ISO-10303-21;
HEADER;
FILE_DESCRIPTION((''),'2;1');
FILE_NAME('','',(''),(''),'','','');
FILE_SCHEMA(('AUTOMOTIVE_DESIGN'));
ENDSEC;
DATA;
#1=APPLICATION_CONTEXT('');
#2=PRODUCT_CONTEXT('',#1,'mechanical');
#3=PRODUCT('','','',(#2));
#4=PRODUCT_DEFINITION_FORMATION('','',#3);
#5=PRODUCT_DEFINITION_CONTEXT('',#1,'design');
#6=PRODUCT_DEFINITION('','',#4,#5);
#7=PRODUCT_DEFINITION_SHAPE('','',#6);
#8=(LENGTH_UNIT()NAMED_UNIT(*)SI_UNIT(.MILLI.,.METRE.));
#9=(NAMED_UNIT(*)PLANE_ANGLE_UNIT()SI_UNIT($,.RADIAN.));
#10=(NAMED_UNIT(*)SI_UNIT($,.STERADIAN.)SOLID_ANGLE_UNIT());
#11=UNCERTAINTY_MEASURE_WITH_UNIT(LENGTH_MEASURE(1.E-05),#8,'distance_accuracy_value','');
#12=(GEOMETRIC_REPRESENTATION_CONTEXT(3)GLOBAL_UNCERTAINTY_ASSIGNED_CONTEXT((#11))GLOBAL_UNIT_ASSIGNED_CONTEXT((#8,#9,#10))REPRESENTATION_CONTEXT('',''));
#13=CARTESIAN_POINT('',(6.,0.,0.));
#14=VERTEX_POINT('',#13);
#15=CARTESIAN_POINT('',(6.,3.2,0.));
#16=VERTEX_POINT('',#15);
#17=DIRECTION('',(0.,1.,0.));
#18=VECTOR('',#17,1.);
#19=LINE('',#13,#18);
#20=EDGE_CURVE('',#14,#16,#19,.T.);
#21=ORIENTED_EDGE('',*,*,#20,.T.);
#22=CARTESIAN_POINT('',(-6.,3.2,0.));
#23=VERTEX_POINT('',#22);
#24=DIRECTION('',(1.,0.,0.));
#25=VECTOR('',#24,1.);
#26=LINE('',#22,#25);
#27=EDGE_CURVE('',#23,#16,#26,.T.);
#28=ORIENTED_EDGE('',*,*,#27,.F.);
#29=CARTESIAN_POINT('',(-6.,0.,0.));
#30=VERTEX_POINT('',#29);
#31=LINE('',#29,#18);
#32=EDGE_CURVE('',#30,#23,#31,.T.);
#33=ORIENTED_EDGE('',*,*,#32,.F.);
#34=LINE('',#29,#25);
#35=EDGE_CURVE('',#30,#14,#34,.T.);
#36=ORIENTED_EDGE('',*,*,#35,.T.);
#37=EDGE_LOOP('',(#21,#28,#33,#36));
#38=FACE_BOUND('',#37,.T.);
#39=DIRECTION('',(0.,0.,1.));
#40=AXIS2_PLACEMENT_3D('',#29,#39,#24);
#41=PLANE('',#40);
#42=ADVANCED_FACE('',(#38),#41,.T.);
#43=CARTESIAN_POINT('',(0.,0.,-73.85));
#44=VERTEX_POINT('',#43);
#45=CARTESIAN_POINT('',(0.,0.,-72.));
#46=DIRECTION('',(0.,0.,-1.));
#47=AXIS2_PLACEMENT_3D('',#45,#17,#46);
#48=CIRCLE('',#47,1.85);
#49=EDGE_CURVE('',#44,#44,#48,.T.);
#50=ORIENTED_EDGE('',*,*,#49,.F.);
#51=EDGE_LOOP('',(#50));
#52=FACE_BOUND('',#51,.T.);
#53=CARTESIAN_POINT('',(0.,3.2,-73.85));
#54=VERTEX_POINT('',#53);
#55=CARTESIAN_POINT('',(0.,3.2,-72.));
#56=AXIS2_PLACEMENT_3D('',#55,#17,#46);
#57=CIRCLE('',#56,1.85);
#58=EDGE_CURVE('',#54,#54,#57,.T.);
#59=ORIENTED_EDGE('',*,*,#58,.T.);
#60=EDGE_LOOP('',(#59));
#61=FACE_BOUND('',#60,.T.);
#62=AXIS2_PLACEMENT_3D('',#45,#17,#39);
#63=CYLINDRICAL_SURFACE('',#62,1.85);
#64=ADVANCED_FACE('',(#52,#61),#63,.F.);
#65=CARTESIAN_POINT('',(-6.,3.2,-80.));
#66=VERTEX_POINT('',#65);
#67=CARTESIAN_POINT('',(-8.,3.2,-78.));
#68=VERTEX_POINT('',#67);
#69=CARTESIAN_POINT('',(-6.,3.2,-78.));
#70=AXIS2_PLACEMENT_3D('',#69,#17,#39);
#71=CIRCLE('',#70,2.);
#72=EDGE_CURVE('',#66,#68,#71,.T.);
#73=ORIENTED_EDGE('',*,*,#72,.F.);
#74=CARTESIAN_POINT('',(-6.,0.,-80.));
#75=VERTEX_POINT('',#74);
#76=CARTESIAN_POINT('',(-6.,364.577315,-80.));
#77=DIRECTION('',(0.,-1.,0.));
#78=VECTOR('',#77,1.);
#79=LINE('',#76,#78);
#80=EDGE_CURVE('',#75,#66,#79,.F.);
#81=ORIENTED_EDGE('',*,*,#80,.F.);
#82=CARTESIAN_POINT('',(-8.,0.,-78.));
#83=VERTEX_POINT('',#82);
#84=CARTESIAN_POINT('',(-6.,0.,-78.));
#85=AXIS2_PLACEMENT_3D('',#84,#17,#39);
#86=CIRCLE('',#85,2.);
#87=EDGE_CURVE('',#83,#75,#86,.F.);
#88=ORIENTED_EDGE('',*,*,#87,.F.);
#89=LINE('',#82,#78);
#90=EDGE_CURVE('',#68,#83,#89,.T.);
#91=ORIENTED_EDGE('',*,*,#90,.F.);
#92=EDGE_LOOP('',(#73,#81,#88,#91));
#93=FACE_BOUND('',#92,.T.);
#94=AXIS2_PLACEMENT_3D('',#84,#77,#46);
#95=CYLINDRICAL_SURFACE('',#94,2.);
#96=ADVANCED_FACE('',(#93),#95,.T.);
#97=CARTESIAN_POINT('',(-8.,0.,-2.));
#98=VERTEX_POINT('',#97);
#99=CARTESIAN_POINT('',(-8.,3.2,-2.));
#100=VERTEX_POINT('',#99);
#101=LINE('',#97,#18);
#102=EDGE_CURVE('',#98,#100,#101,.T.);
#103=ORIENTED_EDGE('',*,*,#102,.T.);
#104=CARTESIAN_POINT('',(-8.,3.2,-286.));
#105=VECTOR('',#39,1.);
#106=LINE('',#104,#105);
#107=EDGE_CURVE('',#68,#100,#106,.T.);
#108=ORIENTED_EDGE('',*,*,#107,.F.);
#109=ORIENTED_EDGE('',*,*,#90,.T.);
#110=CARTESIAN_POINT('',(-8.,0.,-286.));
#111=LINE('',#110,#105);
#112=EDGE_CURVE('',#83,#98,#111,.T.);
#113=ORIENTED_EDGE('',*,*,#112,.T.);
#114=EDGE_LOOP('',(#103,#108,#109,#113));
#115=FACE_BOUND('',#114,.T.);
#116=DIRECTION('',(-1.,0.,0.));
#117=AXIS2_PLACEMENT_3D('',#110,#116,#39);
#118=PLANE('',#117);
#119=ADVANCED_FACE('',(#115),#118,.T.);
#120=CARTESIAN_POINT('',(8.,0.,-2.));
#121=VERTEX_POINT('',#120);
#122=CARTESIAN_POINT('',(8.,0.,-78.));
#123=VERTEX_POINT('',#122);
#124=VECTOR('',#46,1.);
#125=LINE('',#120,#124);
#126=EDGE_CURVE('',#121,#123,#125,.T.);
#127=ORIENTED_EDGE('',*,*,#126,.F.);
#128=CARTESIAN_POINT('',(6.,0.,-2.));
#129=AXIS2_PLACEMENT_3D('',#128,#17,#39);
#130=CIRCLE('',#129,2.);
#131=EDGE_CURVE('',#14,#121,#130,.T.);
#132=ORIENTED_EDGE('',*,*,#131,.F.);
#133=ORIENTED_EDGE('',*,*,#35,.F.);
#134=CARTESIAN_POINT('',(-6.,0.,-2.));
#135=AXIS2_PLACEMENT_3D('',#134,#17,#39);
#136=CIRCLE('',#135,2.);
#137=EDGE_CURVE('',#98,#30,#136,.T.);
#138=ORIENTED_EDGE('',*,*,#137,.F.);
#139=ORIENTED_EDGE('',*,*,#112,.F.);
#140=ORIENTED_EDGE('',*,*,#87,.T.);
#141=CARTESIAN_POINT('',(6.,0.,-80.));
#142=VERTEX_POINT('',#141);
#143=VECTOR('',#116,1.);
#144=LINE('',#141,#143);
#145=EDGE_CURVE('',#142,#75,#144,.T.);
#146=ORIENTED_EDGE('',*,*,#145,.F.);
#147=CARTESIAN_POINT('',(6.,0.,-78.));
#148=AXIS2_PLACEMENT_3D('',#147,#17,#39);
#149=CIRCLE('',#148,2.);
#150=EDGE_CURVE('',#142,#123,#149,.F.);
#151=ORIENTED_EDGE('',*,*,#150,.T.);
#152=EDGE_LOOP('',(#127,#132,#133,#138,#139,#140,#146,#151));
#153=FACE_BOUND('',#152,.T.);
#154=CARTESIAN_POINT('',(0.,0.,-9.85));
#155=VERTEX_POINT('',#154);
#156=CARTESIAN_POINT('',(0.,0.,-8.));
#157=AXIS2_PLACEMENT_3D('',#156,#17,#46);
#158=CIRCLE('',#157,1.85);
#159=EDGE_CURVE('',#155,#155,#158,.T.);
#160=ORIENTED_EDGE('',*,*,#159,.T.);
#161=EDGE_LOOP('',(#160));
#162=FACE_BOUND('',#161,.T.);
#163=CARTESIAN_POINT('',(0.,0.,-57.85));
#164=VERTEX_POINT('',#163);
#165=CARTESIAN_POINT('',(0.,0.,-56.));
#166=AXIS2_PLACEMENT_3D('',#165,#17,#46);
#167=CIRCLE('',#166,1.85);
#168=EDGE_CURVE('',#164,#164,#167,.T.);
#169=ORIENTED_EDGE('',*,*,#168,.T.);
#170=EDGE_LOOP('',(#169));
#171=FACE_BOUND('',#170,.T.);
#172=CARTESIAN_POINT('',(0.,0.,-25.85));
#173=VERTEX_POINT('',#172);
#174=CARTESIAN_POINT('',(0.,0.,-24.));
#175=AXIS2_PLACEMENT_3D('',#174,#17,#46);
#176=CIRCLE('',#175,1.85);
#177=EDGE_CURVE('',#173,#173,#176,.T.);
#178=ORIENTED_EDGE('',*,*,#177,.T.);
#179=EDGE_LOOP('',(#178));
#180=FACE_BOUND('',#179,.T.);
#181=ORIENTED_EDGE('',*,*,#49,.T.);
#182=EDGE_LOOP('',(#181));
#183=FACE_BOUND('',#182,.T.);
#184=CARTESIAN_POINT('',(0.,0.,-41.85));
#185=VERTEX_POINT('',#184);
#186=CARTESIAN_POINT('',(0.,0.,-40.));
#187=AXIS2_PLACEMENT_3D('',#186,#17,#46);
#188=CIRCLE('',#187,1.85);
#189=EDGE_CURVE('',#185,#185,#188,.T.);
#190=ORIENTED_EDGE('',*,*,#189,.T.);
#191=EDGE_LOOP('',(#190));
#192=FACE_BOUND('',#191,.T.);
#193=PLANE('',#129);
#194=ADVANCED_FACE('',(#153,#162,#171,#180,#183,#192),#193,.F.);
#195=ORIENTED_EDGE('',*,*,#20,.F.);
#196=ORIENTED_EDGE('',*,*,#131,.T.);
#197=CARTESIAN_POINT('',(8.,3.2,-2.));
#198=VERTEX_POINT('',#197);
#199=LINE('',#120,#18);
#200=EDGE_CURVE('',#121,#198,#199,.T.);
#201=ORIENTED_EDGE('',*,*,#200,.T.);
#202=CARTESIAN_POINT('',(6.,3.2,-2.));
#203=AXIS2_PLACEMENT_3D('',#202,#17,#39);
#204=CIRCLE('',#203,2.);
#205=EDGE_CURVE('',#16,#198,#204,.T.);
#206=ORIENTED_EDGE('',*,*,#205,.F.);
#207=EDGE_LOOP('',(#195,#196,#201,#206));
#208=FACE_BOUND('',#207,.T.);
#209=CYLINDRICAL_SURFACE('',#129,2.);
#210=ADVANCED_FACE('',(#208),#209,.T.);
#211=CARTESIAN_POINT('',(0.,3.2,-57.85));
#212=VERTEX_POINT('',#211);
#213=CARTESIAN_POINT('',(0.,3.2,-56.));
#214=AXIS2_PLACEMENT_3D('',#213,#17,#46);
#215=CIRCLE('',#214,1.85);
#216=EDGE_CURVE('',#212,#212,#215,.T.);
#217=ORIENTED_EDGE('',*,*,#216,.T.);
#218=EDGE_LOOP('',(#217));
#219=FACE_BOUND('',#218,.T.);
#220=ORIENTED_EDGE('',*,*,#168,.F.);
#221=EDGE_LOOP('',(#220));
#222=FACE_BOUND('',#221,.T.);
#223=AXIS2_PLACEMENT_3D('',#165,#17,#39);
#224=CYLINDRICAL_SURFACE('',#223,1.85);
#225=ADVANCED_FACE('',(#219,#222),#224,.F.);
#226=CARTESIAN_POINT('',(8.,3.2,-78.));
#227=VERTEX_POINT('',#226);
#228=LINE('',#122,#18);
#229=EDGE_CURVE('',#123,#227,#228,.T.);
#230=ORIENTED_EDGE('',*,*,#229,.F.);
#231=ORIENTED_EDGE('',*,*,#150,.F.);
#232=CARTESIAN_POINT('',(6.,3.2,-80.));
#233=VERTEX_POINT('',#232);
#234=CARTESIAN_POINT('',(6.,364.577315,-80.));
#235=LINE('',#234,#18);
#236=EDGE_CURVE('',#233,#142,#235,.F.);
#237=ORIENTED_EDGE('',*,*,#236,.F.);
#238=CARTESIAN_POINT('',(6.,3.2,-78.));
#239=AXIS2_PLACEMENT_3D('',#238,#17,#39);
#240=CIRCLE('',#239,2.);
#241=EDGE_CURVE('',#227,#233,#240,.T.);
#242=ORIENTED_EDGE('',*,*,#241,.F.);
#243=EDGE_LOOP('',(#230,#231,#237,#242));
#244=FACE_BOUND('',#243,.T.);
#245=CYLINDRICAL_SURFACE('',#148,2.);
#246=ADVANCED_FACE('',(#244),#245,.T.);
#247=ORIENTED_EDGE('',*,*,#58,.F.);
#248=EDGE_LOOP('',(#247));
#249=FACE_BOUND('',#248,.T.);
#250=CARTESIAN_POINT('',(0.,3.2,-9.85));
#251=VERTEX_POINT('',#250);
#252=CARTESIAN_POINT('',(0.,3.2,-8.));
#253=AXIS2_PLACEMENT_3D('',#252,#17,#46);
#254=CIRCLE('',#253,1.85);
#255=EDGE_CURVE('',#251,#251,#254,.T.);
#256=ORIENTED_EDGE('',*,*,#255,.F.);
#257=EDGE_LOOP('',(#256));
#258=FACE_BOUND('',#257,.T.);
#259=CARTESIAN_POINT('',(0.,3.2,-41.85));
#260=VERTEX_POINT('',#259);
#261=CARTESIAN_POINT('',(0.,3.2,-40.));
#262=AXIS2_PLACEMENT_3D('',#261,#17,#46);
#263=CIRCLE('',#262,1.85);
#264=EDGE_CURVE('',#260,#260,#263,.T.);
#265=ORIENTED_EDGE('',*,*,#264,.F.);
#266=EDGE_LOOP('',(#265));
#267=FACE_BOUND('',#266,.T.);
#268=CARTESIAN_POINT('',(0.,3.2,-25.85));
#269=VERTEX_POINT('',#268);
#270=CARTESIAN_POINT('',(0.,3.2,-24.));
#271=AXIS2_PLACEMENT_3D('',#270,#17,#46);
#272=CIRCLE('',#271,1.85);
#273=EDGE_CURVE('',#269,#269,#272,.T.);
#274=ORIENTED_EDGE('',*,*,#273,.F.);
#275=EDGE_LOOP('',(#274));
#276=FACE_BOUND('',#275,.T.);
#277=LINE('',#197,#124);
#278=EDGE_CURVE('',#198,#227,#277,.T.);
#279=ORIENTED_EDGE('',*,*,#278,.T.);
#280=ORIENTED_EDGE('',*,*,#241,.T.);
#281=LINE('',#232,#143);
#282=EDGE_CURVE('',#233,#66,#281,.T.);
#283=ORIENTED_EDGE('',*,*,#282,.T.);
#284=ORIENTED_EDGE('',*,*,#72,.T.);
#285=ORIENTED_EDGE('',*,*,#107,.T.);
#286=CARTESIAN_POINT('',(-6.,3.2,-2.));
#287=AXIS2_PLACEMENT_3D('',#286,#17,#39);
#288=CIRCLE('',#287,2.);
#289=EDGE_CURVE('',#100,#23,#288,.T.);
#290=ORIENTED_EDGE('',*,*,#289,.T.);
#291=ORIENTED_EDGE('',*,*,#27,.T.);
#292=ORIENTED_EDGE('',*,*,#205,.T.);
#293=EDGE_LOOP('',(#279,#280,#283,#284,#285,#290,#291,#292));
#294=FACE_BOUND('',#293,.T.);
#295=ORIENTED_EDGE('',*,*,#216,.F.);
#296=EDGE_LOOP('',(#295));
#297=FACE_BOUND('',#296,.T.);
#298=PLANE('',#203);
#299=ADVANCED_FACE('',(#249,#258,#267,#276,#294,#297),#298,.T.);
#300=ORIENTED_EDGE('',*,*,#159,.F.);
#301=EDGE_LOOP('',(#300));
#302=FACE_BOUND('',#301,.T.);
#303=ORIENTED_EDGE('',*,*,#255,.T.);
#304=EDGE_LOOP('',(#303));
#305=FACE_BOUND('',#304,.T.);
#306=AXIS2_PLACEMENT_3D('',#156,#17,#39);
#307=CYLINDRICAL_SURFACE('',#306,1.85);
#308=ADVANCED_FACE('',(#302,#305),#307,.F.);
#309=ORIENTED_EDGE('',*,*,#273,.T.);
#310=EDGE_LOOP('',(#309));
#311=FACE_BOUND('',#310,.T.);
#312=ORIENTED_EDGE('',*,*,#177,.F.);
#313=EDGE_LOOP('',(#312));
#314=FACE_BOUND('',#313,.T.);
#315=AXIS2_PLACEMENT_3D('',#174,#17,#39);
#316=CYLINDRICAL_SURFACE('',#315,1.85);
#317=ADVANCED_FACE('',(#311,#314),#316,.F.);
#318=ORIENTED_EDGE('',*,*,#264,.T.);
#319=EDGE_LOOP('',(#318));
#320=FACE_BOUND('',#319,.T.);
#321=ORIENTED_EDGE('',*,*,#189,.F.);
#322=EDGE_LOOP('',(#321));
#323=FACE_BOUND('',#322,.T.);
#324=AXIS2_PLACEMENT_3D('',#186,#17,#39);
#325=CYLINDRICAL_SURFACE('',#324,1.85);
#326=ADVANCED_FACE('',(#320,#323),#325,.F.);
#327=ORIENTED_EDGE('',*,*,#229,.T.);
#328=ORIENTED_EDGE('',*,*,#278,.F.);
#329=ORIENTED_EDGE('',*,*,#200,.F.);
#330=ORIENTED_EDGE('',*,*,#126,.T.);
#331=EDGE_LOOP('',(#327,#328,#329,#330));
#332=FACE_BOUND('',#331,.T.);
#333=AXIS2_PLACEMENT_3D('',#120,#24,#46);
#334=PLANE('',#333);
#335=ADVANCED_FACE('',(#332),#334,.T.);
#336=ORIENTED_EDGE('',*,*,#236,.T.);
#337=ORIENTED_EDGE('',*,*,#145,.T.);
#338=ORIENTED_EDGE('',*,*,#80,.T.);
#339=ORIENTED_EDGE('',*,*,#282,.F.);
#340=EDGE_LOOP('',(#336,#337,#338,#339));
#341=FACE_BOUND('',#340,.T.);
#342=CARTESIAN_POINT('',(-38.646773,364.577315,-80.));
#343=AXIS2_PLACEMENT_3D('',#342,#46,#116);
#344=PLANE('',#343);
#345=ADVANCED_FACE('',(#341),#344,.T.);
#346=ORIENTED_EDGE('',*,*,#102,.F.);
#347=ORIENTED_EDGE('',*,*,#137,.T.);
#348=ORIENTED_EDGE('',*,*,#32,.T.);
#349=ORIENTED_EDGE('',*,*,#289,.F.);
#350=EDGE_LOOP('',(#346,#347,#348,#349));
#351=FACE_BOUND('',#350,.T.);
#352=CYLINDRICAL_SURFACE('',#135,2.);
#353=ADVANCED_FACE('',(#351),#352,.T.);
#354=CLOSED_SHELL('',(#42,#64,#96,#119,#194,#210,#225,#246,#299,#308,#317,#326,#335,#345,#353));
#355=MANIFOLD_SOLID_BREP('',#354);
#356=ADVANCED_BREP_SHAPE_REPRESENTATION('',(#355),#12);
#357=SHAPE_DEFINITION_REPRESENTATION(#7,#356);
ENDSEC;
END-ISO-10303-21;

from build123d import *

# Parameters (mm, degrees)
SKETCH1_R               = 1.85
BOSS_EXTRUDE1_DEPTH     = 3.2
CUT_EXTRUDE1_DEPTH      = 4.2
CUT_EXTRUDE1_DEPTH_BACK = 1
FILLET1_R               = 2


with BuildPart() as part:
    # Sketch1 → Boss-Extrude1 (new body)
    with BuildSketch(Plane(origin=(0, 3.2, 0), x_dir=(1, 0, 0), z_dir=(0, 1, 0))):
        with BuildLine():
            Line((8, 2), (8, 286))
            ThreePointArc((8, 286), (7.414213562, 287.414213562), (6, 288))
            Line((6, 288), (-6, 288))
            ThreePointArc((-6, 288), (-7.414213562, 287.414213562), (-8, 286))
            Line((-8, 286), (-8, 2))
            ThreePointArc((-8, 2), (-7.414213562, 0.585786438), (-6, 0))
            Line((-6, 0), (6, 0))
            ThreePointArc((6, 0), (7.414213562, 0.585786438), (8, 2))
        make_face()
        with Locations((0, 280)):
            Circle(SKETCH1_R, mode=Mode.SUBTRACT)
        with Locations((0, 264)):
            Circle(SKETCH1_R, mode=Mode.SUBTRACT)
        with Locations((0, 248)):
            Circle(SKETCH1_R, mode=Mode.SUBTRACT)
        with Locations((0, 232)):
            Circle(SKETCH1_R, mode=Mode.SUBTRACT)
        with Locations((0, 216)):
            Circle(SKETCH1_R, mode=Mode.SUBTRACT)
        with Locations((0, 200)):
            Circle(SKETCH1_R, mode=Mode.SUBTRACT)
        with Locations((0, 184)):
            Circle(SKETCH1_R, mode=Mode.SUBTRACT)
        with Locations((0, 168)):
            Circle(SKETCH1_R, mode=Mode.SUBTRACT)
        with Locations((0, 152)):
            Circle(SKETCH1_R, mode=Mode.SUBTRACT)
        with Locations((0, 136)):
            Circle(SKETCH1_R, mode=Mode.SUBTRACT)
        with Locations((0, 120)):
            Circle(SKETCH1_R, mode=Mode.SUBTRACT)
        with Locations((0, 104)):
            Circle(SKETCH1_R, mode=Mode.SUBTRACT)
        with Locations((0, 88)):
            Circle(SKETCH1_R, mode=Mode.SUBTRACT)
        with Locations((0, 72)):
            Circle(SKETCH1_R, mode=Mode.SUBTRACT)
        with Locations((0, 56)):
            Circle(SKETCH1_R, mode=Mode.SUBTRACT)
        with Locations((0, 40)):
            Circle(SKETCH1_R, mode=Mode.SUBTRACT)
        with Locations((0, 24)):
            Circle(SKETCH1_R, mode=Mode.SUBTRACT)
        with Locations((0, 8)):
            Circle(SKETCH1_R, mode=Mode.SUBTRACT)
    extrude(amount=-BOSS_EXTRUDE1_DEPTH)

    # Sketch2 → Cut-Extrude1 (cut, two sides)
    with BuildSketch(Plane(origin=(0, 0, 0), x_dir=(1, 0, 0), z_dir=(0, 1, 0))) as cut_extrude1_sk:
        Polygon((-474.979607439, 80), (-38.646772996, 80), (26.442528892, 80), (462.775363335, 80), (462.775363335, 952.665668885), (-474.979607439, 952.665668885), align=None)
    extrude(amount=CUT_EXTRUDE1_DEPTH, mode=Mode.SUBTRACT)
    extrude(cut_extrude1_sk.sketch, amount=-CUT_EXTRUDE1_DEPTH_BACK, mode=Mode.SUBTRACT)

    # Fillet1
    fillet1_edges = [part.edges().sort_by_distance(p)[0] for p in [
        (8, 1.6, -80),
        (-8, 1.6, -80),
    ]]
    fillet(fillet1_edges, radius=FILLET1_R)


solid = part.part
